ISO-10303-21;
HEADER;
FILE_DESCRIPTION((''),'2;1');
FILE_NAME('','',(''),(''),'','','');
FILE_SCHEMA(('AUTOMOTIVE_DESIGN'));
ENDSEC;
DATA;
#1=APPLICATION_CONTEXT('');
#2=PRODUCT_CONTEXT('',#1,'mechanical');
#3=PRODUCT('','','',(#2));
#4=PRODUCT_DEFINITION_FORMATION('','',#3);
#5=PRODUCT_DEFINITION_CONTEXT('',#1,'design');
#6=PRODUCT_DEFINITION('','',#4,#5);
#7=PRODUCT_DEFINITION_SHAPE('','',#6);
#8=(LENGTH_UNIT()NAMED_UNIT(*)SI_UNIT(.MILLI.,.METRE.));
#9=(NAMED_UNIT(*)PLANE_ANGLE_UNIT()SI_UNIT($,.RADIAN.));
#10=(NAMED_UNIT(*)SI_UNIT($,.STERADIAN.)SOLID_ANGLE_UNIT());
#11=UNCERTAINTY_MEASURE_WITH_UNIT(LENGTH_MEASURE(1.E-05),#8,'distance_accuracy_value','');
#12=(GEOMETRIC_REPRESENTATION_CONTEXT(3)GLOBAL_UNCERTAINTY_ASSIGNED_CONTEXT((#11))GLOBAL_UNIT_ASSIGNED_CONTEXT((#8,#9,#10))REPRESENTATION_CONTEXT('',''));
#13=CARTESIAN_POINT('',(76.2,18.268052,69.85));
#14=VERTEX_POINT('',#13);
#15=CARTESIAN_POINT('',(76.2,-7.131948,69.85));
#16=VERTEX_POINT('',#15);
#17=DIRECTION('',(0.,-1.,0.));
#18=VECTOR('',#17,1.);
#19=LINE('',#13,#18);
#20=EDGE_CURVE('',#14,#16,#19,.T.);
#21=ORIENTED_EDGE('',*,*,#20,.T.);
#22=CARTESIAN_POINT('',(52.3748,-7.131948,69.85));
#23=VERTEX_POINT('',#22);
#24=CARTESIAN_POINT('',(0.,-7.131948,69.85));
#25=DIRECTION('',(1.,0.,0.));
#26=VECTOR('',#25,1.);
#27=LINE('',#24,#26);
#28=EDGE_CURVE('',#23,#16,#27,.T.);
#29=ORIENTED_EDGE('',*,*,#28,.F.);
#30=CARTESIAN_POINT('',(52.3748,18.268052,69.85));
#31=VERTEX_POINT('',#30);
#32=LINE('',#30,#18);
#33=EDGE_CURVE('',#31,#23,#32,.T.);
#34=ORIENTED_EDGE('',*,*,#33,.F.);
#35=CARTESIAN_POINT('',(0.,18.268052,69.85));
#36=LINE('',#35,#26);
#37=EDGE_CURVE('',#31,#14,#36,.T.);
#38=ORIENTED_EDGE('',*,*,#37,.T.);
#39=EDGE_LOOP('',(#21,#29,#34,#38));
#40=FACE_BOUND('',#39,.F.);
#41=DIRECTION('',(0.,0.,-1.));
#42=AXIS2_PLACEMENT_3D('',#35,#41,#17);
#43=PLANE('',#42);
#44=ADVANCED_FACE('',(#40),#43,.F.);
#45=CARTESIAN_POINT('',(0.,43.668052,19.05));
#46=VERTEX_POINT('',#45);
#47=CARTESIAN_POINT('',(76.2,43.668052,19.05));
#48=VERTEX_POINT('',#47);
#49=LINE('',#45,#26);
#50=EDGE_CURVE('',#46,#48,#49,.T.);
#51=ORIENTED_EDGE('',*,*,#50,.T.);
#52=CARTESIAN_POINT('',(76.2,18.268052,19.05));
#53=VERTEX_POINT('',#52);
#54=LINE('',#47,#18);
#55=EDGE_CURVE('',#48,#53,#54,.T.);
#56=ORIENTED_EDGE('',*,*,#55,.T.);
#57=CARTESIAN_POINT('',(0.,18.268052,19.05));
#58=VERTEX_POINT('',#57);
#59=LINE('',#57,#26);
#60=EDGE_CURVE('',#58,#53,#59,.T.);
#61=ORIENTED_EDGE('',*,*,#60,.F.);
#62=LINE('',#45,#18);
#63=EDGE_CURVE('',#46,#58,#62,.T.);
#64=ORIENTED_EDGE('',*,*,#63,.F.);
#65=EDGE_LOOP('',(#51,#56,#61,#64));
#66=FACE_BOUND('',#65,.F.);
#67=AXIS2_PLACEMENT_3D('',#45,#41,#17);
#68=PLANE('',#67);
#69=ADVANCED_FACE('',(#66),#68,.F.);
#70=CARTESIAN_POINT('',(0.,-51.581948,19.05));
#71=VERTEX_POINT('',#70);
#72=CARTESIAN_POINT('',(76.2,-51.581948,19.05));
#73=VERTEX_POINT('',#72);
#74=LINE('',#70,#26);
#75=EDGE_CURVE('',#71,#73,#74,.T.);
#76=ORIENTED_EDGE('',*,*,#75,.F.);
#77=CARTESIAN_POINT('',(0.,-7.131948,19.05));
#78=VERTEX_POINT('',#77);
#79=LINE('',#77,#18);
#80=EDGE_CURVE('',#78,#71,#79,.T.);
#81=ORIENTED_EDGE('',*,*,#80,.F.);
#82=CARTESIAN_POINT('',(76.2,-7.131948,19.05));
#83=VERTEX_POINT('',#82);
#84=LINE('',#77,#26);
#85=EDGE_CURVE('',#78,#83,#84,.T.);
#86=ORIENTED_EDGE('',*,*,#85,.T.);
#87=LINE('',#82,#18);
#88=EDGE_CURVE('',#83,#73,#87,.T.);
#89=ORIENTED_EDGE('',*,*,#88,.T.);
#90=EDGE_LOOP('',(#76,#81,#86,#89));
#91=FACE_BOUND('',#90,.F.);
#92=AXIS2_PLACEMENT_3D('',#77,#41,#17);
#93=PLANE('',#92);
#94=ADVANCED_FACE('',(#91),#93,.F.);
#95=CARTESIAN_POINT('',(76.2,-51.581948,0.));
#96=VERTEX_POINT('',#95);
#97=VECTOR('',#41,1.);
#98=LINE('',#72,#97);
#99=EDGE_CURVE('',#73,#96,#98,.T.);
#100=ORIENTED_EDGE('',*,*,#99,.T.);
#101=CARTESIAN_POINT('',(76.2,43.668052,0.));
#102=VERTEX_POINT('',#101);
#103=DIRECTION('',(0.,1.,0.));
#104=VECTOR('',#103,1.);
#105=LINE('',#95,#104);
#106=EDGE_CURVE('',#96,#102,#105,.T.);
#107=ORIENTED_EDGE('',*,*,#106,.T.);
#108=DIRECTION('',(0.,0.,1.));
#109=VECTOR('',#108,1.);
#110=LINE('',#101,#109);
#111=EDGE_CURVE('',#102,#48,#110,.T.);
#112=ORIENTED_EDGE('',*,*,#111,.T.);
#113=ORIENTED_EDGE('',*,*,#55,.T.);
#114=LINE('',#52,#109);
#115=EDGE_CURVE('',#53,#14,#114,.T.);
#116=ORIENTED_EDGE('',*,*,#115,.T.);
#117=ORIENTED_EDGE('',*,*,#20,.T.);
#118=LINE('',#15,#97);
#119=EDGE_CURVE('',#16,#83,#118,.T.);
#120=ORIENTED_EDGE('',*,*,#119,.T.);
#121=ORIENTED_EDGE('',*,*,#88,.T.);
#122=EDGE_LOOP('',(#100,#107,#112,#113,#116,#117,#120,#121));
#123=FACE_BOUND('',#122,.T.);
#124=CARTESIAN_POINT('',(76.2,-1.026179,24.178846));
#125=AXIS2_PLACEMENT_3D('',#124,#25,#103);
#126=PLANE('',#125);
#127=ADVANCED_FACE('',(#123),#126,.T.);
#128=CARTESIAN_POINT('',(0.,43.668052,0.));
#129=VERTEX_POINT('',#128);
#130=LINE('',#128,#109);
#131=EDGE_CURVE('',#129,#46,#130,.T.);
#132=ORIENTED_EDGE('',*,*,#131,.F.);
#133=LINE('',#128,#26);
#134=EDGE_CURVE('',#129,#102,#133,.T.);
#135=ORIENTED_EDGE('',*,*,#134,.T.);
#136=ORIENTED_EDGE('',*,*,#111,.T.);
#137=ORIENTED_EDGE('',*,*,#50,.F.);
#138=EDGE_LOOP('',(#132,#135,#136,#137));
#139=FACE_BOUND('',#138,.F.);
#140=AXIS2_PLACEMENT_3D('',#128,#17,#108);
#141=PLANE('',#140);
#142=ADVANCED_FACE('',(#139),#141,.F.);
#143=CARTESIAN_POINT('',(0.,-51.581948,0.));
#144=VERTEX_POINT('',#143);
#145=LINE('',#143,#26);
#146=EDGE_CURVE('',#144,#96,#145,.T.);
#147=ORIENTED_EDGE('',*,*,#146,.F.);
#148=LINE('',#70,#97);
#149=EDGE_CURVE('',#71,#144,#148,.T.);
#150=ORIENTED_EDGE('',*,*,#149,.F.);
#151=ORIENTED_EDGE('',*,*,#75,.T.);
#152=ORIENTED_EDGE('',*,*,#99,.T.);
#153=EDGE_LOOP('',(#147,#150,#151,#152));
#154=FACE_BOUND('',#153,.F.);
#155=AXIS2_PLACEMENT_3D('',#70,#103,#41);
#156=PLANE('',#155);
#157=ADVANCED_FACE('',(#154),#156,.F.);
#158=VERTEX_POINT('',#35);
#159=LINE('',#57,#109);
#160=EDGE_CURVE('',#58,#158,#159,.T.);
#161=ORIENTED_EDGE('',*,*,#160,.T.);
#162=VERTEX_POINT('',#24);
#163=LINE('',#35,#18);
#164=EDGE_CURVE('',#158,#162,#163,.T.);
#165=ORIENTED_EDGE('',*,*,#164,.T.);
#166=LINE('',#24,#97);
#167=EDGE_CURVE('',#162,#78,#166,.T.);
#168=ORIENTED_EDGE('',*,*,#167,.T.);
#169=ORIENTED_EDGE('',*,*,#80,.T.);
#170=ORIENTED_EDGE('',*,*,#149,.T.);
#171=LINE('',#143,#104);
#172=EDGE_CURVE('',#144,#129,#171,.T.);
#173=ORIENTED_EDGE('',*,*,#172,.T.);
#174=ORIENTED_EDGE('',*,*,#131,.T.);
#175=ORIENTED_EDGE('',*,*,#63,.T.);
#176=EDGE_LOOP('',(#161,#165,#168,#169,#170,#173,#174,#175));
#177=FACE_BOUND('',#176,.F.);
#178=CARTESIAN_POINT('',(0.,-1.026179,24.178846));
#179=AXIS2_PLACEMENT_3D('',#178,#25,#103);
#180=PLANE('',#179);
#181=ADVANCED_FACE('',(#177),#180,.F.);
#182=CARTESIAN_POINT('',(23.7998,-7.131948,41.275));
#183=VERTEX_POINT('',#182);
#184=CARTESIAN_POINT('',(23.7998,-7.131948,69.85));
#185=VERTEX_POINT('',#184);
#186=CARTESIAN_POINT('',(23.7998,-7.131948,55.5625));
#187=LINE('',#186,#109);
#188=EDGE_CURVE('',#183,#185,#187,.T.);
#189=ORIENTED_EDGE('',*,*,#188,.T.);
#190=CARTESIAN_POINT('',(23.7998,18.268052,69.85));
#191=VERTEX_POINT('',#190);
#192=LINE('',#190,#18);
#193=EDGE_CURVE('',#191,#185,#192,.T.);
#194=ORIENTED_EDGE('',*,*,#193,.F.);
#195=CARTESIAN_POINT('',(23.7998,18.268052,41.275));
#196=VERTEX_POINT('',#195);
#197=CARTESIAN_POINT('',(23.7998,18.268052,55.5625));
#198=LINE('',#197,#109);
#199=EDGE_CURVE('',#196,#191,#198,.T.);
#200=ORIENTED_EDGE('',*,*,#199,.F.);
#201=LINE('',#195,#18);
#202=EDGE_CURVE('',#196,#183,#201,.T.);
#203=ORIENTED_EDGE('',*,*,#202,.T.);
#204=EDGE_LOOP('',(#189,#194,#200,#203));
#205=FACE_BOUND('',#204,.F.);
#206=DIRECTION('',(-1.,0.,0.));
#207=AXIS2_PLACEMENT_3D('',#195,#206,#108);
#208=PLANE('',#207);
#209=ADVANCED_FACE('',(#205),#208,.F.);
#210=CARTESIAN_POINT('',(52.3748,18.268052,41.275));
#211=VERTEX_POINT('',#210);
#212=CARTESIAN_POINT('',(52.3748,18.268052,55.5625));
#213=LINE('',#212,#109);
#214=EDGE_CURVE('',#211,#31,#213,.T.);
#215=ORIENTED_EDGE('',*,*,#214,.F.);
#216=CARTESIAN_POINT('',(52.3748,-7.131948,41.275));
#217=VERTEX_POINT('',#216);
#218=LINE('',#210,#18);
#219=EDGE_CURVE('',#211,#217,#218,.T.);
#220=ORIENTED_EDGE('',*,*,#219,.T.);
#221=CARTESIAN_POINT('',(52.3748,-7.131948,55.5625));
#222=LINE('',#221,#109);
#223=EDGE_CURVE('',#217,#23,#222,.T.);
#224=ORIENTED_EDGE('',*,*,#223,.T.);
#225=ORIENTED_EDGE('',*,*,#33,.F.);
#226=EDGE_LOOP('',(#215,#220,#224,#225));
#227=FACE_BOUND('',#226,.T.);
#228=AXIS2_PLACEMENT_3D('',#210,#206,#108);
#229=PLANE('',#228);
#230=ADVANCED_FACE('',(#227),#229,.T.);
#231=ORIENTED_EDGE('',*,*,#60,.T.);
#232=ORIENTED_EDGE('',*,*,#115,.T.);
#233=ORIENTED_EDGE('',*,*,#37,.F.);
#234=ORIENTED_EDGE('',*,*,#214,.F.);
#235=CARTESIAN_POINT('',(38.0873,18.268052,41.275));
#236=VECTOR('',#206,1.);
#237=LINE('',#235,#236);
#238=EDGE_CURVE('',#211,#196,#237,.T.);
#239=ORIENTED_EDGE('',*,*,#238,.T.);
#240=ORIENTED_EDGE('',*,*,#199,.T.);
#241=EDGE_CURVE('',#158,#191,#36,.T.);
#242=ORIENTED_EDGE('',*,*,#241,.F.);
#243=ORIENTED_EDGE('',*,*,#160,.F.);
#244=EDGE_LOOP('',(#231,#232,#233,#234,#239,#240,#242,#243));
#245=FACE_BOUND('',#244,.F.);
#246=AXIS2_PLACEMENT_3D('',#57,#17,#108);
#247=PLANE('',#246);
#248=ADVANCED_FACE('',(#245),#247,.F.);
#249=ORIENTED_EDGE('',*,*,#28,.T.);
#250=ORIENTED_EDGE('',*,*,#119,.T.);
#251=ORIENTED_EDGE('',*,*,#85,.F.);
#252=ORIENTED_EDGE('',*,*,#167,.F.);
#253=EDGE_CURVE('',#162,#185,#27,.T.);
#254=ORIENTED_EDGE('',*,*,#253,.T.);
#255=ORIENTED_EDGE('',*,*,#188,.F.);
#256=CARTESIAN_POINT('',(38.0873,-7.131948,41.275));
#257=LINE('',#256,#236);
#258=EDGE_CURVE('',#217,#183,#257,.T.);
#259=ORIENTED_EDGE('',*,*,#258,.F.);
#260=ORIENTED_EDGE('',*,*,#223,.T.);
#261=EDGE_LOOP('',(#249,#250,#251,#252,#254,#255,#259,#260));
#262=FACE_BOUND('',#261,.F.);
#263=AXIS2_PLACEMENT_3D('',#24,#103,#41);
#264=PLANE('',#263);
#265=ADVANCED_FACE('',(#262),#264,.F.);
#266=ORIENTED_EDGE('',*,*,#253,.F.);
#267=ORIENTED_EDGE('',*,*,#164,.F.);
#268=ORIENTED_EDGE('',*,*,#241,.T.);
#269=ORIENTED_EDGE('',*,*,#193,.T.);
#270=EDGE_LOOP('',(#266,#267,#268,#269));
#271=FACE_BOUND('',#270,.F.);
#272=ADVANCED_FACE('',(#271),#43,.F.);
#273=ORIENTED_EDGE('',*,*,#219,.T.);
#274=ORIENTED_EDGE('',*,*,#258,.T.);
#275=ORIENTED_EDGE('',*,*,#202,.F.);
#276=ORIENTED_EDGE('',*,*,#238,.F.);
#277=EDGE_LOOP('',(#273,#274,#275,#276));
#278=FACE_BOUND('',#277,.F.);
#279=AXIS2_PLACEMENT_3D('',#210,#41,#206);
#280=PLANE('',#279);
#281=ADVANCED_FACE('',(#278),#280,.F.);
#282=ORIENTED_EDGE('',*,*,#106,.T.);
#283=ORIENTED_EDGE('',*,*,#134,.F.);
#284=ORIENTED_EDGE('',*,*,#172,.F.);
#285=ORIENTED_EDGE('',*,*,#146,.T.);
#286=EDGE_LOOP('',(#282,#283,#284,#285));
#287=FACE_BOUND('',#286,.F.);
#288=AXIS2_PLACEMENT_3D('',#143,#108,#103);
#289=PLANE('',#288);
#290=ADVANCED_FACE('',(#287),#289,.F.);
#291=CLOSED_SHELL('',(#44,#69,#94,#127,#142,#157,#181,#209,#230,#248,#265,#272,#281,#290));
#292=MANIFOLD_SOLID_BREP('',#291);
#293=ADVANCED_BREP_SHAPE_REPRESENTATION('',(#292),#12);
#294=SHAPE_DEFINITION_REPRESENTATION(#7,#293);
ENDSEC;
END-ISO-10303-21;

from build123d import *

# Parameters (mm, degrees)
F1_DEPTH = 76.2
F2_W     = 28.575
F2_H     = 28.575
F3_DEPTH = 25.4


with BuildPart() as f1:
    # F0 (on Right) → F1 (new body)
    with BuildSketch(Plane.YZ):
        Polygon((-51.581948, 0), (0, 0), (43.668052, 0), (43.668052, 19.05), (18.268052, 19.05), (18.268052, 69.85), (-7.131948, 69.85), (-7.131948, 19.05), (-51.581948, 19.05), align=None)
    extrude(amount=F1_DEPTH)

    # F2 (on face) → F3 (cut)
    with BuildSketch(Plane(origin=(0, 18.268052, 0), x_dir=(-1, 0, 0), z_dir=(0, 1, 0))):
        with Locations((-38.0873, 55.5625)):
            Rectangle(F2_W, F2_H)
    extrude(amount=-F3_DEPTH, mode=Mode.SUBTRACT)


solid = f1.part
